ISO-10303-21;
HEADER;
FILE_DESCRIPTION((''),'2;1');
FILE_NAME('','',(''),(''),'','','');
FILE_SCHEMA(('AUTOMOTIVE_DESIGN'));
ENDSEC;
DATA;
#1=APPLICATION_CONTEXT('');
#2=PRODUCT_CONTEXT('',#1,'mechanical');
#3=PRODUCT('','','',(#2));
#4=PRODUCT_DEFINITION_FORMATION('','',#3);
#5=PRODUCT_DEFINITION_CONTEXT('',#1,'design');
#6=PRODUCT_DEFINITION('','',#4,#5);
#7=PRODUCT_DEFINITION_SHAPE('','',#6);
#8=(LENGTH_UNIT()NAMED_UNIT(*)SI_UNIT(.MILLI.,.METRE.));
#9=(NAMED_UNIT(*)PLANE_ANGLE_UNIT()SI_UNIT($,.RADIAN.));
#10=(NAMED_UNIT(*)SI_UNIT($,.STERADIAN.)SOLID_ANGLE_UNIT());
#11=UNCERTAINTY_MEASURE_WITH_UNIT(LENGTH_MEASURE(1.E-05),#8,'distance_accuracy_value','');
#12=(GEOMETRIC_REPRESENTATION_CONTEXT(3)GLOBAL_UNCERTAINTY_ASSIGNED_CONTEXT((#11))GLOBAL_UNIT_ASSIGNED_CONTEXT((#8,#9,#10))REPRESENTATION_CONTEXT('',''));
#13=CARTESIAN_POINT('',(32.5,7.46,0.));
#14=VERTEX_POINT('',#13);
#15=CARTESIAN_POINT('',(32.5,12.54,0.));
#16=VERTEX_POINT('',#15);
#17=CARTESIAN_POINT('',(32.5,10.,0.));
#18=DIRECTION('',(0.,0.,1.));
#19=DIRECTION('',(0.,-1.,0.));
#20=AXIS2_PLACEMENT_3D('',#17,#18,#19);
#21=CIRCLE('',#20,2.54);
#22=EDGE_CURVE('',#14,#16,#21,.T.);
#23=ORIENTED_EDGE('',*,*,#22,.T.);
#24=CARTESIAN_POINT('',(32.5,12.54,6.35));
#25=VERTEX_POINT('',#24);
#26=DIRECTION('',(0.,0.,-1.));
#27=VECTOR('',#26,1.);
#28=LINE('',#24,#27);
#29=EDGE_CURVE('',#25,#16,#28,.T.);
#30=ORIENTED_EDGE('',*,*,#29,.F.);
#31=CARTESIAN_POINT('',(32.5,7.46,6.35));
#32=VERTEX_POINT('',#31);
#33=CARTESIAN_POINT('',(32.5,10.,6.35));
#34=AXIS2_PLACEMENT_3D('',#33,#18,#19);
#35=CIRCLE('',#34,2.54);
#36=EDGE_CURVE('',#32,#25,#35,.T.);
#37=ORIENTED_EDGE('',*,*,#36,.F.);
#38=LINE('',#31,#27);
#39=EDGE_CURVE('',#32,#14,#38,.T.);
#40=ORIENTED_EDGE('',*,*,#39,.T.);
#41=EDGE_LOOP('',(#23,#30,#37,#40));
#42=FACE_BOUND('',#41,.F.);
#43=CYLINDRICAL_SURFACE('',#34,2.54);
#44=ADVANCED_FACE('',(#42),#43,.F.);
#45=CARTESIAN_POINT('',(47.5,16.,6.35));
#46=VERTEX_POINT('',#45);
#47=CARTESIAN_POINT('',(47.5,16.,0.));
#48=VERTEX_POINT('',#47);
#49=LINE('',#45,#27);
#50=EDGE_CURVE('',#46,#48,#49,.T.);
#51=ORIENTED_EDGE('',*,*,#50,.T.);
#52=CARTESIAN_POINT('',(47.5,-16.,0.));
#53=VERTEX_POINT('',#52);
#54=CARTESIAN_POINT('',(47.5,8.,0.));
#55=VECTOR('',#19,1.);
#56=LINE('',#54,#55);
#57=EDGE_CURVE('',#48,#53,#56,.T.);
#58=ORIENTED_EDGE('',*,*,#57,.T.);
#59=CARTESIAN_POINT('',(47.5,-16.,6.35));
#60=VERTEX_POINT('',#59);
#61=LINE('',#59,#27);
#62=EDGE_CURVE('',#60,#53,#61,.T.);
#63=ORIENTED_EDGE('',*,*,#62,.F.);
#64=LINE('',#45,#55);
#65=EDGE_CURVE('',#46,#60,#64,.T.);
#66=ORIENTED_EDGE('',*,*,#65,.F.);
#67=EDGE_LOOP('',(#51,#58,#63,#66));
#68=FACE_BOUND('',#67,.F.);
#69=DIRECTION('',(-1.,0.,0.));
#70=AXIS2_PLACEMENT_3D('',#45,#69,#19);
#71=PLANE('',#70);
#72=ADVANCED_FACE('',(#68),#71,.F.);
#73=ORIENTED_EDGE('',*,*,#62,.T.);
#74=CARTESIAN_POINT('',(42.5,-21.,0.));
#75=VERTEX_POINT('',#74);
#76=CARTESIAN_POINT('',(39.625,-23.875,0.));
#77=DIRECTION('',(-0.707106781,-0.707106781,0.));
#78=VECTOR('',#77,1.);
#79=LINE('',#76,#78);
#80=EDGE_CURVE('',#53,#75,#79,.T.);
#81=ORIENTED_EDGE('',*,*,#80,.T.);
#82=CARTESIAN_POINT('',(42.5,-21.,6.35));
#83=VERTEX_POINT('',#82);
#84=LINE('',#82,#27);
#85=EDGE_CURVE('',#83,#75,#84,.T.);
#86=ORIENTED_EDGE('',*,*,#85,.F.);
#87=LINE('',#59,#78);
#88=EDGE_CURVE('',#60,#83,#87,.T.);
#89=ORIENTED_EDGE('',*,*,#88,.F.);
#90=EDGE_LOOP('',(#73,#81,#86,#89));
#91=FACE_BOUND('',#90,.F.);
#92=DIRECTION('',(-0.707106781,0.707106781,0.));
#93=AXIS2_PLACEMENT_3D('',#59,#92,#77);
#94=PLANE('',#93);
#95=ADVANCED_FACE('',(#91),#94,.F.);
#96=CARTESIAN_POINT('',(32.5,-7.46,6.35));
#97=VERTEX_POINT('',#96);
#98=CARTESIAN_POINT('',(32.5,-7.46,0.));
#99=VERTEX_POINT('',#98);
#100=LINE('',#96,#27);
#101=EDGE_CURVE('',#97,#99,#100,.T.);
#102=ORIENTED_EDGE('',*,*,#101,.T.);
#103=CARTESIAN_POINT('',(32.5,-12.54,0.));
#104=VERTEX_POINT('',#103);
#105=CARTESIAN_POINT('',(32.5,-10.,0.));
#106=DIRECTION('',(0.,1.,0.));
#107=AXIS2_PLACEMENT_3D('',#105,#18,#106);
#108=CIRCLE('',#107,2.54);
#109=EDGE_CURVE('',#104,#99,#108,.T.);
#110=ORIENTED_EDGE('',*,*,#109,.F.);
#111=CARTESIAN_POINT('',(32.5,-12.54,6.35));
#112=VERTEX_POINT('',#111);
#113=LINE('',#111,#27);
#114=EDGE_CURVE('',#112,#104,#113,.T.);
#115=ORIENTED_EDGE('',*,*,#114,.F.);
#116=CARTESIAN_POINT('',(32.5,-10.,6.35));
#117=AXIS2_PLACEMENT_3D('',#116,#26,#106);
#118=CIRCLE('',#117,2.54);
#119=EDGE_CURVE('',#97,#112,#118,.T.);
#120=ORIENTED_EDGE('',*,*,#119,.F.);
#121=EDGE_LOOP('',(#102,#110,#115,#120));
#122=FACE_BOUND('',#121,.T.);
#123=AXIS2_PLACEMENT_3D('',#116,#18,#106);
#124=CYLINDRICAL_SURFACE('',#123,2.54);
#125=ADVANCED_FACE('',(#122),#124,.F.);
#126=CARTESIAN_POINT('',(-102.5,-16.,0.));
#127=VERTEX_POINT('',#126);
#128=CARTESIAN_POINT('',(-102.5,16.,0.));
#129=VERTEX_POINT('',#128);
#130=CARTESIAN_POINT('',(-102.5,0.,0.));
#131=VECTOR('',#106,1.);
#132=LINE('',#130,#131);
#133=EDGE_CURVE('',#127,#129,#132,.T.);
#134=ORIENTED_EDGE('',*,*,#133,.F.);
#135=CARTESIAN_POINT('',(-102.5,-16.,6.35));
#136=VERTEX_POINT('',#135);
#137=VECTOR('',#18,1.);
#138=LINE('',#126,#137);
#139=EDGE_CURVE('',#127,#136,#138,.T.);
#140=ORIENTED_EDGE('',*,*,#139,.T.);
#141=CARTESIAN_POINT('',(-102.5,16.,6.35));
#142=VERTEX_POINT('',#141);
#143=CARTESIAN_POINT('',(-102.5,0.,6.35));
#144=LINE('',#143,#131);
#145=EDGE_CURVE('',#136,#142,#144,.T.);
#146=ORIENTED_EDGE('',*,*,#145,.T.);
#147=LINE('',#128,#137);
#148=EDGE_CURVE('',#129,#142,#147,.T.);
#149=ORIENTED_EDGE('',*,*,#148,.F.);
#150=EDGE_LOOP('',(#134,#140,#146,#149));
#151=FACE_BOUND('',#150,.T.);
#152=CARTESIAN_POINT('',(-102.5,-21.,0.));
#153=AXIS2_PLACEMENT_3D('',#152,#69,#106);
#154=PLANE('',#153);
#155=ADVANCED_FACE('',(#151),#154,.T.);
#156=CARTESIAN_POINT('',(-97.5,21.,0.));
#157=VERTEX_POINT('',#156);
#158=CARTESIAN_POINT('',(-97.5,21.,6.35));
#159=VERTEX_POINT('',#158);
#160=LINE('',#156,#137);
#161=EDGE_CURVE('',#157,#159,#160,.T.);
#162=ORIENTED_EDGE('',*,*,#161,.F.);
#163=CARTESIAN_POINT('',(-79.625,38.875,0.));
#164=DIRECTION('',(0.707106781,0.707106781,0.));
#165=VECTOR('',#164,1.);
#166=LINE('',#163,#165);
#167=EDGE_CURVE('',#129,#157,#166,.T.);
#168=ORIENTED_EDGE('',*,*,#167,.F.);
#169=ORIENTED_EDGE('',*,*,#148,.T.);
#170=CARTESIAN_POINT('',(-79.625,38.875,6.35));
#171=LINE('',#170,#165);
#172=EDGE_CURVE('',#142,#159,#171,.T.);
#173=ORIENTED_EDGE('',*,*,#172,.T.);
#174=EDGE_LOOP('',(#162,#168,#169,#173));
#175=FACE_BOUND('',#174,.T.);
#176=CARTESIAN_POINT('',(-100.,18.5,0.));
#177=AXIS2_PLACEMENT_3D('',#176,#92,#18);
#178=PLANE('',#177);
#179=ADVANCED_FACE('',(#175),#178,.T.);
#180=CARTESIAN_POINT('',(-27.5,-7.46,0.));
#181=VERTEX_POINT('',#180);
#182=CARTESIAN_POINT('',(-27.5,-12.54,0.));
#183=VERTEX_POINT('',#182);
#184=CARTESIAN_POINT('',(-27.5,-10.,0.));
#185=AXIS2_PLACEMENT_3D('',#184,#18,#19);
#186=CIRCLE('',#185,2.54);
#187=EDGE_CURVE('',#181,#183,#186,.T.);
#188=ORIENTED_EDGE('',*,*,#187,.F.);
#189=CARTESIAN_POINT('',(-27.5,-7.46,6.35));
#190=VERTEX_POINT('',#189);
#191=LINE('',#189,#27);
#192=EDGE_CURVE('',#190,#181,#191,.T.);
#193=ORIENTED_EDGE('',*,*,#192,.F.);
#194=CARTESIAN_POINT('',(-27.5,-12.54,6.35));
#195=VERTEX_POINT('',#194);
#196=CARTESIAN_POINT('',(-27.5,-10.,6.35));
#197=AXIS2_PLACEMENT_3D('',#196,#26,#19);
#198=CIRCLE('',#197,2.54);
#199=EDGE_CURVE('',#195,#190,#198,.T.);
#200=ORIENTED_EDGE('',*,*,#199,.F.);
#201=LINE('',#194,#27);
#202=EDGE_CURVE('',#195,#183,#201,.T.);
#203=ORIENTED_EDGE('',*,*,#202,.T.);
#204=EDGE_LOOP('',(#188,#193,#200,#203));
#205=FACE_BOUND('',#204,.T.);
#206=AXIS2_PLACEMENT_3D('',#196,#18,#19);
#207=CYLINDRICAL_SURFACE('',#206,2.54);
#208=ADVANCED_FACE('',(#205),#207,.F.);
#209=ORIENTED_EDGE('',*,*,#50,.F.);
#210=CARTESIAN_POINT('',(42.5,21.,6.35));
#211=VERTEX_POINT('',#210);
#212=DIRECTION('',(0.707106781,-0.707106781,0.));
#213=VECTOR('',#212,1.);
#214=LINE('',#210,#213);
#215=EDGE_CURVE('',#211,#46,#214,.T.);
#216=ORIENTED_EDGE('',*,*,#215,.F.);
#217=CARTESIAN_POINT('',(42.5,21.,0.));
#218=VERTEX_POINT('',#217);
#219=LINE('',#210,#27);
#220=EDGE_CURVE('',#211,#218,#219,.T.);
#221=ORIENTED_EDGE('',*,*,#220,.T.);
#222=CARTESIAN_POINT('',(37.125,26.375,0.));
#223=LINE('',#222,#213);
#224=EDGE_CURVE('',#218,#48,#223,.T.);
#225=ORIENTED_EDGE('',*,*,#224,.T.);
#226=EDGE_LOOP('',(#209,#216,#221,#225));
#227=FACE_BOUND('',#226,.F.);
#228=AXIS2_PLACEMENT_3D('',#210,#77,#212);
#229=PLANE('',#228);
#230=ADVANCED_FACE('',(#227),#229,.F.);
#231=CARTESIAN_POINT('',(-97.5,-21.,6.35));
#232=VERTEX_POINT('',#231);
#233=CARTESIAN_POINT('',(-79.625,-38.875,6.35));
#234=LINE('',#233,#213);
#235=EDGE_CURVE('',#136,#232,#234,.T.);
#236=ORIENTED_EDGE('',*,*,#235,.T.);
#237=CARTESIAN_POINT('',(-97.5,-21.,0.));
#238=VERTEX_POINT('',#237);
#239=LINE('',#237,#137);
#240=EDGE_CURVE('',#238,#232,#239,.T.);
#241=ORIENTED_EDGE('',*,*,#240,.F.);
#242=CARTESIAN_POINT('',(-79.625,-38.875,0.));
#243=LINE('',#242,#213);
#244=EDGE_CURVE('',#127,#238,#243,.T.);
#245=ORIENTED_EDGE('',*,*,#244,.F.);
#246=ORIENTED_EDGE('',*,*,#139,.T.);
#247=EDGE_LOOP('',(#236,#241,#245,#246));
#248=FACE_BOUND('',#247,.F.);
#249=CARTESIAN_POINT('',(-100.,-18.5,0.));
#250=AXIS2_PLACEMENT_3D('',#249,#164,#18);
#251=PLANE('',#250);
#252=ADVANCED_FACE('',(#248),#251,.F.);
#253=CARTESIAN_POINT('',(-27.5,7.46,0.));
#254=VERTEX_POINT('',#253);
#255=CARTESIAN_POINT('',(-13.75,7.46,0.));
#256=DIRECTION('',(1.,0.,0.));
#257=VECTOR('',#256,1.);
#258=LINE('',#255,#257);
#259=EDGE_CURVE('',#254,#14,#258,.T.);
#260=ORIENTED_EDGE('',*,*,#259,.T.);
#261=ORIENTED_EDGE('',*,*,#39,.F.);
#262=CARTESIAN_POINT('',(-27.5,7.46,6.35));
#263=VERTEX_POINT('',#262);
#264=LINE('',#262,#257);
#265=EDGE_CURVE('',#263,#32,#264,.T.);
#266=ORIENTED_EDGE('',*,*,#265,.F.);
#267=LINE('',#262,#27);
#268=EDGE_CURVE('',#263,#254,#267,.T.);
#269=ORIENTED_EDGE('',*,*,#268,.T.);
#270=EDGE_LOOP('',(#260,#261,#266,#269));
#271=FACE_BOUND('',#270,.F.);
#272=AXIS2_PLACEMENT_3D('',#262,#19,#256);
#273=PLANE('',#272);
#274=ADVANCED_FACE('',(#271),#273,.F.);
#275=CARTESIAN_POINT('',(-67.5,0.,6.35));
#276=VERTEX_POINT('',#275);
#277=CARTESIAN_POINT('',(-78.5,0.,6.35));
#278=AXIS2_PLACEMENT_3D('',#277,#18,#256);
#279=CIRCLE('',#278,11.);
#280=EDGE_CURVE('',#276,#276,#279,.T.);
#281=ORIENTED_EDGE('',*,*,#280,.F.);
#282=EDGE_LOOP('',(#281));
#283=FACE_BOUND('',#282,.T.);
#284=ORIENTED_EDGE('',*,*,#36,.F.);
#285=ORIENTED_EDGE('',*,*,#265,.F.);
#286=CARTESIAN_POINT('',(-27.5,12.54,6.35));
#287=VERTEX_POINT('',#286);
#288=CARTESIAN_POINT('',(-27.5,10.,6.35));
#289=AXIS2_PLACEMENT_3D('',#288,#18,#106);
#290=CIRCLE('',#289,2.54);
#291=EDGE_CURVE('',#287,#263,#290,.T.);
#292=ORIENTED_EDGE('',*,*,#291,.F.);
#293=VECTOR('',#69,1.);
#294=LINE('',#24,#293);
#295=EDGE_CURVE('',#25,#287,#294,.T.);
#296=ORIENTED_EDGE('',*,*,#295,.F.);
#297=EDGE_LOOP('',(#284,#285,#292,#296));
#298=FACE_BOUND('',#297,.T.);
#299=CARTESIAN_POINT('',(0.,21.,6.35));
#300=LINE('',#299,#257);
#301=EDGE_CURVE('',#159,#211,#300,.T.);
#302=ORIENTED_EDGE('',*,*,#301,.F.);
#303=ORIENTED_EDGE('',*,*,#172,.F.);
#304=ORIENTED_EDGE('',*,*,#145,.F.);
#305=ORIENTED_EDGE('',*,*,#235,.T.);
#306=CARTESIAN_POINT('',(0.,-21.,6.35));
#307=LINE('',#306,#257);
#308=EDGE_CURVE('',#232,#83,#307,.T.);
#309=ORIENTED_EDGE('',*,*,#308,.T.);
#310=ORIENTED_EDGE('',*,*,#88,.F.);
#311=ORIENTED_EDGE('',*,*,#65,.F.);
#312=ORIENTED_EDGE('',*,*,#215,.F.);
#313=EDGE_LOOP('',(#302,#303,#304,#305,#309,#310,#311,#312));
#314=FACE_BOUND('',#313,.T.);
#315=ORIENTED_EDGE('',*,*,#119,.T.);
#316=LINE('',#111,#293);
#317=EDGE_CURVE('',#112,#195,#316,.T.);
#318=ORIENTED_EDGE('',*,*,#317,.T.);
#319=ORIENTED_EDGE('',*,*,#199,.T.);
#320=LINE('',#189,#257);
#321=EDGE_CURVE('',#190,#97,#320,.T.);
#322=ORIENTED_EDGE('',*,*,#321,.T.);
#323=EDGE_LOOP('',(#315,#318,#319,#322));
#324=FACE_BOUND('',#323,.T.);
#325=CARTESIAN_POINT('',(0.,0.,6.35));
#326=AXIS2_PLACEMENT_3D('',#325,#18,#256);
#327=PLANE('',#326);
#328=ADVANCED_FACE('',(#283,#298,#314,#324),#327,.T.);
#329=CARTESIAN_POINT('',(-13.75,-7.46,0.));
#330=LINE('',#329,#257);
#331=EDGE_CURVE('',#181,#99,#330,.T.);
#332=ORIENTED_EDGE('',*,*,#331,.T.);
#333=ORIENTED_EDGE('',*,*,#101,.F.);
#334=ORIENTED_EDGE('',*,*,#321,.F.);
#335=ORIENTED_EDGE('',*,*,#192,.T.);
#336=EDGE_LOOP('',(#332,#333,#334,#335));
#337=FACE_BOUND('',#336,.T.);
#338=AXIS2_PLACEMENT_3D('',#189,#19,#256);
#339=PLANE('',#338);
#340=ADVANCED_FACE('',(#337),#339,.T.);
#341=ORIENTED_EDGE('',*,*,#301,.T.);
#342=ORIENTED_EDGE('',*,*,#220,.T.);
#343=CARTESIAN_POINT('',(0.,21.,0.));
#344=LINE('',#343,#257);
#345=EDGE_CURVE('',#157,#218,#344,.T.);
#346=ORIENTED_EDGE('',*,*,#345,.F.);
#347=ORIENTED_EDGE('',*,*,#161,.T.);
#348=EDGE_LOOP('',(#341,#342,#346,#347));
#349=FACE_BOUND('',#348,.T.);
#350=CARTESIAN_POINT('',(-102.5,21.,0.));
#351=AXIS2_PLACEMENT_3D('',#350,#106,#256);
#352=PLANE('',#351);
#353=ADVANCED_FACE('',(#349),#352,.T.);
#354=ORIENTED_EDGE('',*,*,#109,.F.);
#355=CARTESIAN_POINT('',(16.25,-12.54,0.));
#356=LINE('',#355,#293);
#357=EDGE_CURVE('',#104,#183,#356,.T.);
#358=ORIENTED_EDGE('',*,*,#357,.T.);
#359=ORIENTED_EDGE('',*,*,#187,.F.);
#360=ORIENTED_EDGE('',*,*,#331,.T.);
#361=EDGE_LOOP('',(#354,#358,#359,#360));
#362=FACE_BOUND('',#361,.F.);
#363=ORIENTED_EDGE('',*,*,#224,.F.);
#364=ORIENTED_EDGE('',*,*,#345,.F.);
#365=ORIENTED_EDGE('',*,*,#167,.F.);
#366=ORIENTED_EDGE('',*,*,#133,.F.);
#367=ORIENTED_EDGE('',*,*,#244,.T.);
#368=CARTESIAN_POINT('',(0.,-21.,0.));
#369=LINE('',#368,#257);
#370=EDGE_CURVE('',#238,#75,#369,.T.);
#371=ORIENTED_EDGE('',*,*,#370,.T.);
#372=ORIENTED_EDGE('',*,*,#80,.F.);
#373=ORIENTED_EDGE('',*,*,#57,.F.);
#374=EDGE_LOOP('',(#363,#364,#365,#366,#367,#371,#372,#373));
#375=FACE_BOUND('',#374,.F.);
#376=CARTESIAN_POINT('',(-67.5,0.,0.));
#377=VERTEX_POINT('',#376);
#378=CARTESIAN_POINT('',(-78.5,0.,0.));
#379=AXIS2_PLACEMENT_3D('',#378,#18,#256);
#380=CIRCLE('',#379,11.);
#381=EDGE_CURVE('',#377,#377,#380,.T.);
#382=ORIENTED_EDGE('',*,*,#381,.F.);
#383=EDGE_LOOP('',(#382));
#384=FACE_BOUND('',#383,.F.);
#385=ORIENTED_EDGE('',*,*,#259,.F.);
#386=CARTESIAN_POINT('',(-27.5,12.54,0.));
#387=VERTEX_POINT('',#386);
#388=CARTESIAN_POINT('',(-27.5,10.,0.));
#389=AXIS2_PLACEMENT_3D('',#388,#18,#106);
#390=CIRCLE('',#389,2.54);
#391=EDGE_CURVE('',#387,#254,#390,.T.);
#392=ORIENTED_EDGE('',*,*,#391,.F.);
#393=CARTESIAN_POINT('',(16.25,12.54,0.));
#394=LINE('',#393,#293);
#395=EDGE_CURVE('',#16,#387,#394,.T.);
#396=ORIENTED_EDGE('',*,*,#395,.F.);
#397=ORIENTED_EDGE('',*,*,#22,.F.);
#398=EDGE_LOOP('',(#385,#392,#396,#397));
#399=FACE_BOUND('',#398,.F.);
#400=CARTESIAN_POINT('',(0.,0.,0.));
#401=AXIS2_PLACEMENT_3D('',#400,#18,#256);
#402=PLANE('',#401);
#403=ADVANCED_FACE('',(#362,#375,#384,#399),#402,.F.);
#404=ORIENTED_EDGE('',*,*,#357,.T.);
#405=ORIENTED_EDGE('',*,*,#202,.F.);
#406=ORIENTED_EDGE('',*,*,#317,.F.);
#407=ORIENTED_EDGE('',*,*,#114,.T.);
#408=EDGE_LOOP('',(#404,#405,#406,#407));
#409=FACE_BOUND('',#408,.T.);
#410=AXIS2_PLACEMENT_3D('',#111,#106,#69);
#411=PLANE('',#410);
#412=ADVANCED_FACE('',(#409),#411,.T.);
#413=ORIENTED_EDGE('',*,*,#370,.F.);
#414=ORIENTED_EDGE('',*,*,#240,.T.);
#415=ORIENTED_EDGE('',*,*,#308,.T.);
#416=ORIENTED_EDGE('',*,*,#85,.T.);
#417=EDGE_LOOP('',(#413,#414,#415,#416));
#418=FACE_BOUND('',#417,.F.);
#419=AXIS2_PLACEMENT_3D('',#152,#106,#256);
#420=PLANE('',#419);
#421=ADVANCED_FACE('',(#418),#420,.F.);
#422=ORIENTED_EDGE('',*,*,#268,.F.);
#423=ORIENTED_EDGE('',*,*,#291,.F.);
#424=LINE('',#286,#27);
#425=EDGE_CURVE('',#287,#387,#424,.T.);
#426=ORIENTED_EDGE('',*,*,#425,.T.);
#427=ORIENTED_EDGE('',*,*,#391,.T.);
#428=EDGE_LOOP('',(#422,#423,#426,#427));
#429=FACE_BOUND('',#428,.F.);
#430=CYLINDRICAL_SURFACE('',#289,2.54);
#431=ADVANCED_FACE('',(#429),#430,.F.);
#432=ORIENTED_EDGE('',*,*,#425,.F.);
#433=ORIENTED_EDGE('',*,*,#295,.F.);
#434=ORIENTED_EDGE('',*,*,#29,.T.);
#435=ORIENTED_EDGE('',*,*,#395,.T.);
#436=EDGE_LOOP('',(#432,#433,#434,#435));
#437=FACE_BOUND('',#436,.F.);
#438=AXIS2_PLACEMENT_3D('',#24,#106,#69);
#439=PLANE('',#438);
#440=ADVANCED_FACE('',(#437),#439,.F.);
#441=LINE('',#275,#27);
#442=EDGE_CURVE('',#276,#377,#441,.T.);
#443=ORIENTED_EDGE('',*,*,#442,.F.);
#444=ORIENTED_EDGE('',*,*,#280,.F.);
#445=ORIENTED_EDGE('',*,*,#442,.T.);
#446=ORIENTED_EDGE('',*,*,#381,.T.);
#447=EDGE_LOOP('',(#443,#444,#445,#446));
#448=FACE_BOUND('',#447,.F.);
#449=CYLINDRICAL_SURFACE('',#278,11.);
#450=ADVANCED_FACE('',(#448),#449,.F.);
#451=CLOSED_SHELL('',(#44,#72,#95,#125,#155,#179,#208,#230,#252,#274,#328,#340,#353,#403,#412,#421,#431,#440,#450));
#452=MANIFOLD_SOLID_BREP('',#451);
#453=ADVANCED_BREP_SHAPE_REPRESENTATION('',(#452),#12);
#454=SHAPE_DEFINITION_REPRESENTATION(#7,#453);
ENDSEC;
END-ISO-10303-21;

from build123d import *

# Parameters (mm, degrees)
SKETCH1_W           = 205
SKETCH1_H           = 42
BOSS_EXTRUDE1_DEPTH = 6.35
SKETCH4_R           = 11
CUT_EXTRUDE3_DEPTH  = 7.35
CHAMFER1_SIZE       = 5
SKETCH5_R           = 11
CUT_EXTRUDE4_DEPTH  = 25
SKETCH13_R          = 11
CUT_EXTRUDE12_DEPTH = 10


with BuildPart() as part:
    # Sketch1 → Boss-Extrude1 (new body)
    with BuildSketch(Plane.XY):
        Rectangle(SKETCH1_W, SKETCH1_H)
    extrude(amount=BOSS_EXTRUDE1_DEPTH)

    # Sketch4 → Cut-Extrude3 (cut, through all)
    with BuildSketch(Plane.XY.offset(6.35)):
        with Locations((-78.5, 0)):
            Circle(SKETCH4_R)
    extrude(amount=-CUT_EXTRUDE3_DEPTH, mode=Mode.SUBTRACT)

    # Chamfer1
    chamfer1_edges = [part.edges().sort_by_distance(p)[0] for p in [
        (102.5, -21, 3.175),
        (-102.5, -21, 3.175),
        (-102.5, 21, 3.175),
        (102.5, 21, 3.175),
    ]]
    chamfer(chamfer1_edges, length=CHAMFER1_SIZE)

    # Sketch5 → Cut-Extrude4 (cut)
    with BuildSketch(Plane.XY.offset(6.35)):
        with Locations((79.5, 0)):
            Circle(SKETCH5_R)
    extrude(amount=-CUT_EXTRUDE4_DEPTH, mode=Mode.SUBTRACT)

    # Sketch13 → Cut-Extrude12 (cut)
    with BuildSketch(Plane.XY.offset(6.35)):
        Polygon((42.5, 21), (47.5, 16), (47.5, -16), (42.5, -21), (97.5, -21), (102.5, -16), (102.5, 16), (97.5, 21), align=None)
        with Locations((79.5, 0)):
            Circle(SKETCH13_R, mode=Mode.SUBTRACT)
        with BuildLine():
            Line((-27.5, 7.46), (32.5, 7.46))
            ThreePointArc((32.5, 7.46), (35.04, 10), (32.5, 12.54))
            Line((32.5, 12.54), (-27.5, 12.54))
            ThreePointArc((-27.5, 12.54), (-30.04, 10), (-27.5, 7.46))
        make_face()
        with BuildLine():
            ThreePointArc((32.5, -7.46), (35.04, -10), (32.5, -12.54))
            Line((32.5, -12.54), (-27.5, -12.54))
            ThreePointArc((-27.5, -12.54), (-30.04, -10), (-27.5, -7.46))
            Line((-27.5, -7.46), (32.5, -7.46))
        make_face()
    extrude(amount=-CUT_EXTRUDE12_DEPTH, mode=Mode.SUBTRACT)


solid = part.part
